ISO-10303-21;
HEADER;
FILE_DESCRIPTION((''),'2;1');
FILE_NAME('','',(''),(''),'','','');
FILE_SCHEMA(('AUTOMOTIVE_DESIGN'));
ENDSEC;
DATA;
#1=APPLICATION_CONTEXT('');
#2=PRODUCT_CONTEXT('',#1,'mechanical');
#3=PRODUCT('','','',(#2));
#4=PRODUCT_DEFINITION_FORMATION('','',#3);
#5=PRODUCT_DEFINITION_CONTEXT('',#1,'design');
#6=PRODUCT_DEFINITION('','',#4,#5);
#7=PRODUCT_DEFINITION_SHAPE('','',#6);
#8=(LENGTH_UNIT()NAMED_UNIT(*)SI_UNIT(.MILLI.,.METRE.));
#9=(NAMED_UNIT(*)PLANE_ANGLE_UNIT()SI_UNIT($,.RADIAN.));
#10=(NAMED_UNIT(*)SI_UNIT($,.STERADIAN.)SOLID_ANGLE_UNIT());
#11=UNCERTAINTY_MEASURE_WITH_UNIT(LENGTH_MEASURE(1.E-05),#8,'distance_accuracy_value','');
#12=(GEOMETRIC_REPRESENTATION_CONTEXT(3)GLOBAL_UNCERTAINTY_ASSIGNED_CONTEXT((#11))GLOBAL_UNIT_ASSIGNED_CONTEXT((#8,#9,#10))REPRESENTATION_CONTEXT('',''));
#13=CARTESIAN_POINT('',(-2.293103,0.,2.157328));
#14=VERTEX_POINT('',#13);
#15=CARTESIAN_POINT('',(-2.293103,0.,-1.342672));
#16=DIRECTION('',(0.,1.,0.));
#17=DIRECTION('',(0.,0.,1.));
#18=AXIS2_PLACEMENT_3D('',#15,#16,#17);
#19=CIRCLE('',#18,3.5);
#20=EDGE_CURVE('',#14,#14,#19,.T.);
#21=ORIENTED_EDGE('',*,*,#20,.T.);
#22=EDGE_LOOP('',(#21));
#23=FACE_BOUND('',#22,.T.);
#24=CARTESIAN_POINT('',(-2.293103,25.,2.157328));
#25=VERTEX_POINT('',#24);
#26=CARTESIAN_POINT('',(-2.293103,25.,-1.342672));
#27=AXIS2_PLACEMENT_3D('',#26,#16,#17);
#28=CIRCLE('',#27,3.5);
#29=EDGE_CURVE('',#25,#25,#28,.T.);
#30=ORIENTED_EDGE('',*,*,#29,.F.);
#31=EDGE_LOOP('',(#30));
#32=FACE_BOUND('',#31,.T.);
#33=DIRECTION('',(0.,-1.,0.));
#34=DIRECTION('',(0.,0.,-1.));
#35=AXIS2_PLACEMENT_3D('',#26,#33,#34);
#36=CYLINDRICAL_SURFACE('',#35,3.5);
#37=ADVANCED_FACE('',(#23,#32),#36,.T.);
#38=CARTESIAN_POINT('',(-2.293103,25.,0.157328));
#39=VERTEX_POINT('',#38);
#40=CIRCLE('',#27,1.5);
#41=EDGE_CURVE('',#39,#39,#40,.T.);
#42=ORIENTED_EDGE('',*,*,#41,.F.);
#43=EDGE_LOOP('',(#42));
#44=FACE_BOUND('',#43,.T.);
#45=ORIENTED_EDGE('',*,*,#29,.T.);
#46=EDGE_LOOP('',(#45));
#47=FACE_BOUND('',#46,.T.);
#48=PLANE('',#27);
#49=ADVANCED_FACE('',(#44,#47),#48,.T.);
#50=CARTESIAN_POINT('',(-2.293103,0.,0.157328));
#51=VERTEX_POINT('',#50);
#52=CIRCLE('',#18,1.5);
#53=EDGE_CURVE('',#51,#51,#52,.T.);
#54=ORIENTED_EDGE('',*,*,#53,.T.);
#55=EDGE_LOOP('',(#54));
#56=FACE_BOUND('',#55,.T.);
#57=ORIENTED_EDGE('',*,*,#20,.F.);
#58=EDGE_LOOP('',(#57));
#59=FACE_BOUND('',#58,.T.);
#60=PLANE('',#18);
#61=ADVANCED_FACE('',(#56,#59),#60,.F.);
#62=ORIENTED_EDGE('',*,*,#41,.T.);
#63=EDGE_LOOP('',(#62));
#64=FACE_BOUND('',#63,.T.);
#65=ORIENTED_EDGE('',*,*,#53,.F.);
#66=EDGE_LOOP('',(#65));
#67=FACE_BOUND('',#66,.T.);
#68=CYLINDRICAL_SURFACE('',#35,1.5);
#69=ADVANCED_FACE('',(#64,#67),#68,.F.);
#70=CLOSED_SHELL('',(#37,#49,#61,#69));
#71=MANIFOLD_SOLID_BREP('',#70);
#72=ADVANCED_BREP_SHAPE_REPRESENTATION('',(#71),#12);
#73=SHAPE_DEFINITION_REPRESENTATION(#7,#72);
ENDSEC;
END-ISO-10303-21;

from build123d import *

# Parameters (mm, degrees)
SKETCH_1_R      = 3.5
SKETCH_1_R_2    = 1.5
EXTRUDE_1_DEPTH = 25


with BuildPart() as part:
    # Эскиз1 → Бобышка-Вытянуть1 (new body)
    with BuildSketch(Plane(origin=(0, 0, 0), x_dir=(1, 0, 0), z_dir=(0, 1, 0))):
        with Locations((-2.293103448, 1.342672414)):
            Circle(SKETCH_1_R)
        with Locations((-2.293103448, 1.342672414)):
            Circle(SKETCH_1_R_2, mode=Mode.SUBTRACT)
    extrude(amount=EXTRUDE_1_DEPTH)


solid = part.part
